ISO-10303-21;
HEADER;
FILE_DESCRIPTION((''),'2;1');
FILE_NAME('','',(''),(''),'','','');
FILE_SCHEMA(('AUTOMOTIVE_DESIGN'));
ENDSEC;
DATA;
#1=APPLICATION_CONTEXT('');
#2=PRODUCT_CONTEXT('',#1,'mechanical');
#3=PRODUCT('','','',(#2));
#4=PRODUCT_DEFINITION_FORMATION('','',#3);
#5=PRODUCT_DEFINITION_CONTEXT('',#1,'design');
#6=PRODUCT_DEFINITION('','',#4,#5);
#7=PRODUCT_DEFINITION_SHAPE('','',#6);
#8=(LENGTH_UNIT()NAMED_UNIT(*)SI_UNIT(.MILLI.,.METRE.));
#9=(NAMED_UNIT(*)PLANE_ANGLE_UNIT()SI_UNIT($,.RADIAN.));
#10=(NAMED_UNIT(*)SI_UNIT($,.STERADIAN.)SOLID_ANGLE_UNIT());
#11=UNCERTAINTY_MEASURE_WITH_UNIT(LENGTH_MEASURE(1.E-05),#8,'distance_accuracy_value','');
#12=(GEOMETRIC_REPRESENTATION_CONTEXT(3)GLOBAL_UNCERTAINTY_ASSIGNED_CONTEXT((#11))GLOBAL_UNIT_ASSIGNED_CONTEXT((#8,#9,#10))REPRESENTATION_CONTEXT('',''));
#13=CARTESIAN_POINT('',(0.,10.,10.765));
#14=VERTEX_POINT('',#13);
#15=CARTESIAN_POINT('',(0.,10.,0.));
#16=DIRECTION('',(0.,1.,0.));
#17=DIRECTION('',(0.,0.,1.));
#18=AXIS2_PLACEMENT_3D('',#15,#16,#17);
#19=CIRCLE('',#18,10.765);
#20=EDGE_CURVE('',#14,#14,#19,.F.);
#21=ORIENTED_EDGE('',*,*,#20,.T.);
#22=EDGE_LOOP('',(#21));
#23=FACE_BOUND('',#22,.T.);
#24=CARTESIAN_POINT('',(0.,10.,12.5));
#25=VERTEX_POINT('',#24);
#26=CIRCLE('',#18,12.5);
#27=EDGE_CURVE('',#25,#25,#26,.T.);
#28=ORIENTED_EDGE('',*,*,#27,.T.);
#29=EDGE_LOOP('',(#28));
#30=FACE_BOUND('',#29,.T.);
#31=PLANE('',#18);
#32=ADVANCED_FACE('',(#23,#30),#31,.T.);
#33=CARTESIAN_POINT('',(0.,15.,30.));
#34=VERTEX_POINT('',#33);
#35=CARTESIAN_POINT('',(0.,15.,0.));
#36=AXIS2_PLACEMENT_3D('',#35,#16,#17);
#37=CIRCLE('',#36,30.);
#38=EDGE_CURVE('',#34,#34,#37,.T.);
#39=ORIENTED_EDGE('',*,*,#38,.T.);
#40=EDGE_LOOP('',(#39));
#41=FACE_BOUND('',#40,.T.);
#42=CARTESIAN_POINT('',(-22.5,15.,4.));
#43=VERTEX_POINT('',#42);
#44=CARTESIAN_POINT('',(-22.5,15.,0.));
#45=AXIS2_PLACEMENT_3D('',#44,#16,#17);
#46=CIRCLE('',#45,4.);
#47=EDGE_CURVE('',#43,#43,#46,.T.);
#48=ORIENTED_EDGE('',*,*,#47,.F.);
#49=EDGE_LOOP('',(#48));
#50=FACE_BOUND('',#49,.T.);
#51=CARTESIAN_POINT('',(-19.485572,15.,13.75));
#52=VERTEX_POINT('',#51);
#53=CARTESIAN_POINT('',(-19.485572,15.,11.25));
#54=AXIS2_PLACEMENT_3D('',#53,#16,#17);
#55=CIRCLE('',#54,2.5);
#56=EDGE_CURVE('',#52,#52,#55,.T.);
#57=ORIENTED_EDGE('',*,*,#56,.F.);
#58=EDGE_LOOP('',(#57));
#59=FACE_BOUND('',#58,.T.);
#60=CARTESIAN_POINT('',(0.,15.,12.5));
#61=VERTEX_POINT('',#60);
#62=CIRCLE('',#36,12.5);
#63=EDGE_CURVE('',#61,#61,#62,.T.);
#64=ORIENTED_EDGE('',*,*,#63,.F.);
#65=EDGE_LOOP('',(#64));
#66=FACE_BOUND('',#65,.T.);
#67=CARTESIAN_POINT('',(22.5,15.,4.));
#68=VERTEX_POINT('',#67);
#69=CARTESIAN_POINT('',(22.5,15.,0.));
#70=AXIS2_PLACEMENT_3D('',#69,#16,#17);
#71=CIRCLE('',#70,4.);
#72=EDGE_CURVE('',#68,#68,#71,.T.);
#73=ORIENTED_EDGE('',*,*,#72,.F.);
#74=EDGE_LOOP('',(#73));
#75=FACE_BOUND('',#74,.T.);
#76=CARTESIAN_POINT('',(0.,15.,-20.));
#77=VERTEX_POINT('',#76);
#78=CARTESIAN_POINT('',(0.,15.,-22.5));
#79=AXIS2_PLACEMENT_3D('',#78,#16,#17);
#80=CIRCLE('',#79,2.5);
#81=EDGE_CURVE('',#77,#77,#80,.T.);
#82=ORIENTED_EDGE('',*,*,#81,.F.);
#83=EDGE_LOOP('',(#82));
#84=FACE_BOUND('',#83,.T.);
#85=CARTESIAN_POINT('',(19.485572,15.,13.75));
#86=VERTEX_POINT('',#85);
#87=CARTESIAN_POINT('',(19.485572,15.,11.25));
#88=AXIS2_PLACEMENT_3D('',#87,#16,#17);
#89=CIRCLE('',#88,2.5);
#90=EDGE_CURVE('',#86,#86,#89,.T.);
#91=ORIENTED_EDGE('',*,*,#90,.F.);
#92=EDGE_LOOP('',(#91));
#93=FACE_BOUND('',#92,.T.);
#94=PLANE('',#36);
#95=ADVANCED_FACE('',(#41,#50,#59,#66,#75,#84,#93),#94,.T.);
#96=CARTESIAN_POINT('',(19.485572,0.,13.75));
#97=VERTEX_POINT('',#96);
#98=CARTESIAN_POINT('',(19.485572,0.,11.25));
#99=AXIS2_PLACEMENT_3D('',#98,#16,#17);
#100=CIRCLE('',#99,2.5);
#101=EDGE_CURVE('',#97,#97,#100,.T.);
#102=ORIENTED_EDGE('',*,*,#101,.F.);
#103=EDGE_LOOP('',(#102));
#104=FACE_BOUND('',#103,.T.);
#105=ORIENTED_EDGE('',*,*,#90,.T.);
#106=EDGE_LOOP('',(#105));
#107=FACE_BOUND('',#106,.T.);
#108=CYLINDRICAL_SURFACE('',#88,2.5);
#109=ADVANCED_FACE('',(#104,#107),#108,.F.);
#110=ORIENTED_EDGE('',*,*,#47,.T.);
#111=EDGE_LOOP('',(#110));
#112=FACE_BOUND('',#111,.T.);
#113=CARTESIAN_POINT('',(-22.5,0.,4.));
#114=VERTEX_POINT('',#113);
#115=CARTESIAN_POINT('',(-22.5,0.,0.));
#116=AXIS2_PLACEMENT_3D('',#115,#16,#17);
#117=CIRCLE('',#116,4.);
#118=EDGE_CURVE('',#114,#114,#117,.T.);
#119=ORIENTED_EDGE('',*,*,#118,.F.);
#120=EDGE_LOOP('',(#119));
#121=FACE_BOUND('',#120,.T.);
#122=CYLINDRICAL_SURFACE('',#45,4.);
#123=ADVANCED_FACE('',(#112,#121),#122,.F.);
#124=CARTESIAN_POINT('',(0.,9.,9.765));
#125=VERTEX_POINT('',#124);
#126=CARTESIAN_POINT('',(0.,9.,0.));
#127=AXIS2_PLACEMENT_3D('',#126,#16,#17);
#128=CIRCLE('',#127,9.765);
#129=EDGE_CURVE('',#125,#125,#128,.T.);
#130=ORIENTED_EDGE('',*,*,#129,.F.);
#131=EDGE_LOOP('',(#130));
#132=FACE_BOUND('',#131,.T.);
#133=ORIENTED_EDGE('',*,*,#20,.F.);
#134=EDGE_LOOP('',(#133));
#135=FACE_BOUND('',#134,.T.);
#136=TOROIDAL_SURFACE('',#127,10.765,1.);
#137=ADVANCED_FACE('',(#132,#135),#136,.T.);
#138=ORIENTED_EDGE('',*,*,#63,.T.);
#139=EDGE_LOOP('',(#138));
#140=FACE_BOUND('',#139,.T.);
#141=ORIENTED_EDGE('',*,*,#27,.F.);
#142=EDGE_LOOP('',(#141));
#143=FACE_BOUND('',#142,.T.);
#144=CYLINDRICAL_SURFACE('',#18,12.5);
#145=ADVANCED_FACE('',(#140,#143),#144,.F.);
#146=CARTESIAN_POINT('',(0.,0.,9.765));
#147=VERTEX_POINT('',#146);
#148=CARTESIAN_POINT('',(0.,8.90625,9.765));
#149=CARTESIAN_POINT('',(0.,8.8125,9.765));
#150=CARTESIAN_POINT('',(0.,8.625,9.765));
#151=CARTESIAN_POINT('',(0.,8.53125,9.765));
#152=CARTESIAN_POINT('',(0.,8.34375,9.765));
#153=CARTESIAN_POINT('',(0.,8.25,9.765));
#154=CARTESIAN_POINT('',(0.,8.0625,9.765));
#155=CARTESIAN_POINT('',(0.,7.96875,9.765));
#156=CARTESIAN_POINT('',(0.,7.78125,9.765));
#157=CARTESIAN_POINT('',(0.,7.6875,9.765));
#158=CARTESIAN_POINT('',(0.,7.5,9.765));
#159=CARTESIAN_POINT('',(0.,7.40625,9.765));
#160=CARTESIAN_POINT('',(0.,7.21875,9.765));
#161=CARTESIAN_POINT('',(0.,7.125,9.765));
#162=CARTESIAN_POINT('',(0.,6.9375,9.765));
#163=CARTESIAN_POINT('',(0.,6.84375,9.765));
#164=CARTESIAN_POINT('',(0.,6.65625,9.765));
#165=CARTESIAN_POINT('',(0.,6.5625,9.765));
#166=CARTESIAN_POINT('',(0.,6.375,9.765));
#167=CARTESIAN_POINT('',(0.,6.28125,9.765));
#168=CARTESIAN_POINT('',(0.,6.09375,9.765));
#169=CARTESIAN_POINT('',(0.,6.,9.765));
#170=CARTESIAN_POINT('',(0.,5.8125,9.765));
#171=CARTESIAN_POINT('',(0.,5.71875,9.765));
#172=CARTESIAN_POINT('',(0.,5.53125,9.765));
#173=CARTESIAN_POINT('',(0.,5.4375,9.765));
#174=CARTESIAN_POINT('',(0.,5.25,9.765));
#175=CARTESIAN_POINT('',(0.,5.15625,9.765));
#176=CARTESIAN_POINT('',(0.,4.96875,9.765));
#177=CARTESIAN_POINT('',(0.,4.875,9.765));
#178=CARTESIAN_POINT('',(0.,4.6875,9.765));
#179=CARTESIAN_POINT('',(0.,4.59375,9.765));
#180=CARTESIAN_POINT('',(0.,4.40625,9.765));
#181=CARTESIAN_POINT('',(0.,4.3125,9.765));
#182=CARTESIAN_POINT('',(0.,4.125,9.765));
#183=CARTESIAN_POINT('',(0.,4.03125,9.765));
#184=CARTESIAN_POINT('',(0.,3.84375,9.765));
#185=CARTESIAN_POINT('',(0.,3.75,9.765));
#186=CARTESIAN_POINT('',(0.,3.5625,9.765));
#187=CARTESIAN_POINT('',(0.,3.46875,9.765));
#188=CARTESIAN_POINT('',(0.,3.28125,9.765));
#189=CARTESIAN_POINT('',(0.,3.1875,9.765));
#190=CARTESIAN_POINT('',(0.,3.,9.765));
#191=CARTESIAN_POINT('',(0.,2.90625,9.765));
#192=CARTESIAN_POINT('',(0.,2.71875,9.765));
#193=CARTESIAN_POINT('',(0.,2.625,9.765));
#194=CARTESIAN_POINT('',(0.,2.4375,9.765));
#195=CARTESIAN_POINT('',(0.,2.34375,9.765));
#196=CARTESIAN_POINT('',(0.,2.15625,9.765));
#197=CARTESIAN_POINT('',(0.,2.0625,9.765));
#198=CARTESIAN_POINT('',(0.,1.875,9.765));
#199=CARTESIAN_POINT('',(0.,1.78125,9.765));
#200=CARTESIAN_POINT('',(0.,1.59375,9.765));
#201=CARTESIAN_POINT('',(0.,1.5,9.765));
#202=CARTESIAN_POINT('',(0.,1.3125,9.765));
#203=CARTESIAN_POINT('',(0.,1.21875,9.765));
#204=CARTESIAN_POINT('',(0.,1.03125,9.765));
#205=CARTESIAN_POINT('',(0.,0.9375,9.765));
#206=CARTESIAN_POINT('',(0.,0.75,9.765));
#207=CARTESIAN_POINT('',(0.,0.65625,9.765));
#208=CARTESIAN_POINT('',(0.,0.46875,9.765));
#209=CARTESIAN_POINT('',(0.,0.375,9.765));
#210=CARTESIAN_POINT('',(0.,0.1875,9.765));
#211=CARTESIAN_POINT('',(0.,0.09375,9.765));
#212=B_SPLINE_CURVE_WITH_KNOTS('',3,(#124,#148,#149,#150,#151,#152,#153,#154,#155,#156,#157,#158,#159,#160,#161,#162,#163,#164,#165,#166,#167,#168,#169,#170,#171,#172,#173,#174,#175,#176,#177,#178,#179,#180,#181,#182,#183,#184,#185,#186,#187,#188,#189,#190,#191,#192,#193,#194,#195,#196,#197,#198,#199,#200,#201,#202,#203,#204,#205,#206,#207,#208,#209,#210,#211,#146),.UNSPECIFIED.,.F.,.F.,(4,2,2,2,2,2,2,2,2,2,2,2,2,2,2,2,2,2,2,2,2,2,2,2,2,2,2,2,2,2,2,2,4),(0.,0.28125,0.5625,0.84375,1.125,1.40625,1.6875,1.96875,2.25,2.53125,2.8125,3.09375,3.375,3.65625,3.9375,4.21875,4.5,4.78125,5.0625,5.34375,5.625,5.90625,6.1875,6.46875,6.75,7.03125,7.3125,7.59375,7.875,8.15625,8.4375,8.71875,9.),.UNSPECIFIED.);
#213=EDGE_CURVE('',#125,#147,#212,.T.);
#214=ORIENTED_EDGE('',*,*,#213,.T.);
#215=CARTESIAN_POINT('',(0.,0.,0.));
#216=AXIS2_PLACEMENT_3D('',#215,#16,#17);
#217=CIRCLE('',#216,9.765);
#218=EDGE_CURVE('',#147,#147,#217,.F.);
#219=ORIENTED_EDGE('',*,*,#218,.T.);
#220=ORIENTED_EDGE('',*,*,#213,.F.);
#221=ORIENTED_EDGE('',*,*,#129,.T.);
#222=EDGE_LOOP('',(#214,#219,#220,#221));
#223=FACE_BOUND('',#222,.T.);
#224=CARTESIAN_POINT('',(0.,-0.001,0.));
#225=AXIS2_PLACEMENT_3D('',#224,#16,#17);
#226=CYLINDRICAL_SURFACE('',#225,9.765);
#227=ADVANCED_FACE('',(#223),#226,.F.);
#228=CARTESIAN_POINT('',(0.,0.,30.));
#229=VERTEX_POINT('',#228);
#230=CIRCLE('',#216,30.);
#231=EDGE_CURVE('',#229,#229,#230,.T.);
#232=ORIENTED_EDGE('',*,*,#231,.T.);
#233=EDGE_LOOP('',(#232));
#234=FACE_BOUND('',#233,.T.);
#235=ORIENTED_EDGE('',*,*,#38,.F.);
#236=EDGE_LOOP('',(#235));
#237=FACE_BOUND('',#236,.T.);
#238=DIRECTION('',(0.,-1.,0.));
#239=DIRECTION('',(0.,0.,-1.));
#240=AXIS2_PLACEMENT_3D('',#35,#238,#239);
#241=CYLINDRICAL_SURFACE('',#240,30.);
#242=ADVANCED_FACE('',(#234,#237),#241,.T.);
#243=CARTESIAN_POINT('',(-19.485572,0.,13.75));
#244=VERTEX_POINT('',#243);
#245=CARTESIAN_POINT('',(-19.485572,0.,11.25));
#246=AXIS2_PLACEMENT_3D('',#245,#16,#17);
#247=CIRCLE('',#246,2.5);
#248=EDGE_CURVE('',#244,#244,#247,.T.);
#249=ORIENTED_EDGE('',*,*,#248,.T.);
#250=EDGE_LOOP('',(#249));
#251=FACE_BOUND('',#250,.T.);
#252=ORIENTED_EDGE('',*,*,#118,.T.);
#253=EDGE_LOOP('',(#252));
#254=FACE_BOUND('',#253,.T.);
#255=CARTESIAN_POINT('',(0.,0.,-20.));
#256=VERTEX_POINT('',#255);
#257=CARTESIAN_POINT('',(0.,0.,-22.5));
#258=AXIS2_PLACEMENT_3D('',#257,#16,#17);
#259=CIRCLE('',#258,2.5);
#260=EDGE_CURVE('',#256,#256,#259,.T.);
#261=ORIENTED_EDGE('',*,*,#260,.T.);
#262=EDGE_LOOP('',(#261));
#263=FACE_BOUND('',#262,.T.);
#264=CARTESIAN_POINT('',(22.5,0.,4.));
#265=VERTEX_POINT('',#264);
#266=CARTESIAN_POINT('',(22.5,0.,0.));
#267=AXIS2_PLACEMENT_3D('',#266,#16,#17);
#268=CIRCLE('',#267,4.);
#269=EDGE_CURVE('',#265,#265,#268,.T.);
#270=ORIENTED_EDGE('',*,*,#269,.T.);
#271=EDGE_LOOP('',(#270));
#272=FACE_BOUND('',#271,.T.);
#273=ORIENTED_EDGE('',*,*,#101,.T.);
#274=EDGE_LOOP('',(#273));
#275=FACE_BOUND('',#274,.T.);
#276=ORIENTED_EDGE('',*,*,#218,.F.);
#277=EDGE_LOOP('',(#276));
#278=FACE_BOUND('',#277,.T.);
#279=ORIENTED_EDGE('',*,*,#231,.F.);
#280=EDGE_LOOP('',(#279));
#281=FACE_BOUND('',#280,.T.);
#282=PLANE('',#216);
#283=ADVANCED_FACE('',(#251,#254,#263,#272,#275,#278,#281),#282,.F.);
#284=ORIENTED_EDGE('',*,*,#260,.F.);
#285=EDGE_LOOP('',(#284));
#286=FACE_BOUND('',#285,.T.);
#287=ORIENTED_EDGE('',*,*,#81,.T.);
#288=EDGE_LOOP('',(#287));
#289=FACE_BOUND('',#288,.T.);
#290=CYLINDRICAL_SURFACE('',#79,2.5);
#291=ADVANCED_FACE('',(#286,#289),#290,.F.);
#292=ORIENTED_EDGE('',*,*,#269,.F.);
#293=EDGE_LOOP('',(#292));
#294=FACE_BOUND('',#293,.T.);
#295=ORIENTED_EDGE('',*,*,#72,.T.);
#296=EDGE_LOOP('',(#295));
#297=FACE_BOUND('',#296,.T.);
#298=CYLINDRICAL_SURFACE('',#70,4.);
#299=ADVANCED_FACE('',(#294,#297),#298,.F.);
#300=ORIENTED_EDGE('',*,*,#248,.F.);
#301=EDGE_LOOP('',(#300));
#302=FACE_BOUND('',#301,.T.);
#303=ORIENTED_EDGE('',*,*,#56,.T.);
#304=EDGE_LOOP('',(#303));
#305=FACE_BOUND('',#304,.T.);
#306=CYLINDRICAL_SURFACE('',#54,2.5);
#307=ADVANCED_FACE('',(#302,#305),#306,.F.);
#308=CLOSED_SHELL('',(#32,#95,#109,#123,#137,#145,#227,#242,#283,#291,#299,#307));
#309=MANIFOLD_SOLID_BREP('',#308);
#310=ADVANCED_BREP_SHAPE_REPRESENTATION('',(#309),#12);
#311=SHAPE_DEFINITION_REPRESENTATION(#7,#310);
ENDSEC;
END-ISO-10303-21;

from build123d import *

# Parameters (mm, degrees)
SKETCH1_R             = 30
BOSS_EXTRUDE1_DEPTH   = 15
CUT_EXTRUDE1_REACH    = 47
SKETCH2_R             = 9.765
SKETCH3_R             = 12.5
CUT_EXTRUDE2_DEPTH    = 5
FILLET1_R             = 1
M6_TAPPED_HOLE1_D     = 5
M6_TAPPED_HOLE1_DEPTH = 17
M6_TAPPED_HOLE1_TIP   = 1.502151548
F_8_0MM_DOWEL_HOLE1_D = 8


with BuildPart() as part:
    # Sketch1 → Boss-Extrude1 (new body)
    with BuildSketch(Plane(origin=(0, 0, 0), x_dir=(1, 0, 0), z_dir=(0, 1, 0))):
        with Locations(Location((0, 0, 0), (0, 0, 270))):
            Circle(SKETCH1_R)
    extrude(amount=BOSS_EXTRUDE1_DEPTH)

    # Sketch2 → Cut-Extrude1 (cut, up to next)
    with BuildSketch(Plane(origin=(0, 15, 0), x_dir=(1, 0, 0), z_dir=(0, 1, 0)), mode=Mode.PRIVATE) as cut_extrude1_sk1:
        with Locations(Location((0, 0, 0), (0, 0, 270))):
            Circle(SKETCH2_R)
    cut_extrude1_tool1 = extrude(cut_extrude1_sk1.sketch, amount=-CUT_EXTRUDE1_REACH, mode=Mode.PRIVATE) & part.part
    add(cut_extrude1_tool1.solids().sort_by_distance((0, 15, 0))[0], mode=Mode.SUBTRACT)

    # Sketch3 → Cut-Extrude2 (cut)
    with BuildSketch(Plane(origin=(0, 15, 0), x_dir=(1, 0, 0), z_dir=(0, 1, 0))):
        with Locations(Location((0, 0, 0), (0, 0, 270))):
            Circle(SKETCH3_R)
    extrude(amount=-CUT_EXTRUDE2_DEPTH, mode=Mode.SUBTRACT)

    # Fillet1
    fillet1_edges = [part.edges().sort_by_distance(p)[0] for p in [
        (0, 10, -9.765),
    ]]
    fillet(fillet1_edges, radius=FILLET1_R)

    # M6 Tapped Hole1
    with Locations(Plane(origin=(0, 15, 0), x_dir=(1, 0, 0), z_dir=(0, 1, 0))):
        with Locations((0, 22.5), (19.485571585, -11.25), (-19.485571585, -11.25)):
            Hole(M6_TAPPED_HOLE1_D / 2, depth=M6_TAPPED_HOLE1_DEPTH)
            with Locations((0, 0, -(M6_TAPPED_HOLE1_DEPTH + M6_TAPPED_HOLE1_TIP / 2))):  # 118° drill point
                Cone(0, M6_TAPPED_HOLE1_D / 2, M6_TAPPED_HOLE1_TIP, mode=Mode.SUBTRACT)

    # Ø8.0mm Dowel Hole1 (through all)
    with Locations(Plane(origin=(0, 15, 0), x_dir=(1, 0, 0), z_dir=(0, 1, 0))):
        with Locations((22.5, 0), (-22.5, 0)):
            Hole(F_8_0MM_DOWEL_HOLE1_D / 2)


solid = part.part
